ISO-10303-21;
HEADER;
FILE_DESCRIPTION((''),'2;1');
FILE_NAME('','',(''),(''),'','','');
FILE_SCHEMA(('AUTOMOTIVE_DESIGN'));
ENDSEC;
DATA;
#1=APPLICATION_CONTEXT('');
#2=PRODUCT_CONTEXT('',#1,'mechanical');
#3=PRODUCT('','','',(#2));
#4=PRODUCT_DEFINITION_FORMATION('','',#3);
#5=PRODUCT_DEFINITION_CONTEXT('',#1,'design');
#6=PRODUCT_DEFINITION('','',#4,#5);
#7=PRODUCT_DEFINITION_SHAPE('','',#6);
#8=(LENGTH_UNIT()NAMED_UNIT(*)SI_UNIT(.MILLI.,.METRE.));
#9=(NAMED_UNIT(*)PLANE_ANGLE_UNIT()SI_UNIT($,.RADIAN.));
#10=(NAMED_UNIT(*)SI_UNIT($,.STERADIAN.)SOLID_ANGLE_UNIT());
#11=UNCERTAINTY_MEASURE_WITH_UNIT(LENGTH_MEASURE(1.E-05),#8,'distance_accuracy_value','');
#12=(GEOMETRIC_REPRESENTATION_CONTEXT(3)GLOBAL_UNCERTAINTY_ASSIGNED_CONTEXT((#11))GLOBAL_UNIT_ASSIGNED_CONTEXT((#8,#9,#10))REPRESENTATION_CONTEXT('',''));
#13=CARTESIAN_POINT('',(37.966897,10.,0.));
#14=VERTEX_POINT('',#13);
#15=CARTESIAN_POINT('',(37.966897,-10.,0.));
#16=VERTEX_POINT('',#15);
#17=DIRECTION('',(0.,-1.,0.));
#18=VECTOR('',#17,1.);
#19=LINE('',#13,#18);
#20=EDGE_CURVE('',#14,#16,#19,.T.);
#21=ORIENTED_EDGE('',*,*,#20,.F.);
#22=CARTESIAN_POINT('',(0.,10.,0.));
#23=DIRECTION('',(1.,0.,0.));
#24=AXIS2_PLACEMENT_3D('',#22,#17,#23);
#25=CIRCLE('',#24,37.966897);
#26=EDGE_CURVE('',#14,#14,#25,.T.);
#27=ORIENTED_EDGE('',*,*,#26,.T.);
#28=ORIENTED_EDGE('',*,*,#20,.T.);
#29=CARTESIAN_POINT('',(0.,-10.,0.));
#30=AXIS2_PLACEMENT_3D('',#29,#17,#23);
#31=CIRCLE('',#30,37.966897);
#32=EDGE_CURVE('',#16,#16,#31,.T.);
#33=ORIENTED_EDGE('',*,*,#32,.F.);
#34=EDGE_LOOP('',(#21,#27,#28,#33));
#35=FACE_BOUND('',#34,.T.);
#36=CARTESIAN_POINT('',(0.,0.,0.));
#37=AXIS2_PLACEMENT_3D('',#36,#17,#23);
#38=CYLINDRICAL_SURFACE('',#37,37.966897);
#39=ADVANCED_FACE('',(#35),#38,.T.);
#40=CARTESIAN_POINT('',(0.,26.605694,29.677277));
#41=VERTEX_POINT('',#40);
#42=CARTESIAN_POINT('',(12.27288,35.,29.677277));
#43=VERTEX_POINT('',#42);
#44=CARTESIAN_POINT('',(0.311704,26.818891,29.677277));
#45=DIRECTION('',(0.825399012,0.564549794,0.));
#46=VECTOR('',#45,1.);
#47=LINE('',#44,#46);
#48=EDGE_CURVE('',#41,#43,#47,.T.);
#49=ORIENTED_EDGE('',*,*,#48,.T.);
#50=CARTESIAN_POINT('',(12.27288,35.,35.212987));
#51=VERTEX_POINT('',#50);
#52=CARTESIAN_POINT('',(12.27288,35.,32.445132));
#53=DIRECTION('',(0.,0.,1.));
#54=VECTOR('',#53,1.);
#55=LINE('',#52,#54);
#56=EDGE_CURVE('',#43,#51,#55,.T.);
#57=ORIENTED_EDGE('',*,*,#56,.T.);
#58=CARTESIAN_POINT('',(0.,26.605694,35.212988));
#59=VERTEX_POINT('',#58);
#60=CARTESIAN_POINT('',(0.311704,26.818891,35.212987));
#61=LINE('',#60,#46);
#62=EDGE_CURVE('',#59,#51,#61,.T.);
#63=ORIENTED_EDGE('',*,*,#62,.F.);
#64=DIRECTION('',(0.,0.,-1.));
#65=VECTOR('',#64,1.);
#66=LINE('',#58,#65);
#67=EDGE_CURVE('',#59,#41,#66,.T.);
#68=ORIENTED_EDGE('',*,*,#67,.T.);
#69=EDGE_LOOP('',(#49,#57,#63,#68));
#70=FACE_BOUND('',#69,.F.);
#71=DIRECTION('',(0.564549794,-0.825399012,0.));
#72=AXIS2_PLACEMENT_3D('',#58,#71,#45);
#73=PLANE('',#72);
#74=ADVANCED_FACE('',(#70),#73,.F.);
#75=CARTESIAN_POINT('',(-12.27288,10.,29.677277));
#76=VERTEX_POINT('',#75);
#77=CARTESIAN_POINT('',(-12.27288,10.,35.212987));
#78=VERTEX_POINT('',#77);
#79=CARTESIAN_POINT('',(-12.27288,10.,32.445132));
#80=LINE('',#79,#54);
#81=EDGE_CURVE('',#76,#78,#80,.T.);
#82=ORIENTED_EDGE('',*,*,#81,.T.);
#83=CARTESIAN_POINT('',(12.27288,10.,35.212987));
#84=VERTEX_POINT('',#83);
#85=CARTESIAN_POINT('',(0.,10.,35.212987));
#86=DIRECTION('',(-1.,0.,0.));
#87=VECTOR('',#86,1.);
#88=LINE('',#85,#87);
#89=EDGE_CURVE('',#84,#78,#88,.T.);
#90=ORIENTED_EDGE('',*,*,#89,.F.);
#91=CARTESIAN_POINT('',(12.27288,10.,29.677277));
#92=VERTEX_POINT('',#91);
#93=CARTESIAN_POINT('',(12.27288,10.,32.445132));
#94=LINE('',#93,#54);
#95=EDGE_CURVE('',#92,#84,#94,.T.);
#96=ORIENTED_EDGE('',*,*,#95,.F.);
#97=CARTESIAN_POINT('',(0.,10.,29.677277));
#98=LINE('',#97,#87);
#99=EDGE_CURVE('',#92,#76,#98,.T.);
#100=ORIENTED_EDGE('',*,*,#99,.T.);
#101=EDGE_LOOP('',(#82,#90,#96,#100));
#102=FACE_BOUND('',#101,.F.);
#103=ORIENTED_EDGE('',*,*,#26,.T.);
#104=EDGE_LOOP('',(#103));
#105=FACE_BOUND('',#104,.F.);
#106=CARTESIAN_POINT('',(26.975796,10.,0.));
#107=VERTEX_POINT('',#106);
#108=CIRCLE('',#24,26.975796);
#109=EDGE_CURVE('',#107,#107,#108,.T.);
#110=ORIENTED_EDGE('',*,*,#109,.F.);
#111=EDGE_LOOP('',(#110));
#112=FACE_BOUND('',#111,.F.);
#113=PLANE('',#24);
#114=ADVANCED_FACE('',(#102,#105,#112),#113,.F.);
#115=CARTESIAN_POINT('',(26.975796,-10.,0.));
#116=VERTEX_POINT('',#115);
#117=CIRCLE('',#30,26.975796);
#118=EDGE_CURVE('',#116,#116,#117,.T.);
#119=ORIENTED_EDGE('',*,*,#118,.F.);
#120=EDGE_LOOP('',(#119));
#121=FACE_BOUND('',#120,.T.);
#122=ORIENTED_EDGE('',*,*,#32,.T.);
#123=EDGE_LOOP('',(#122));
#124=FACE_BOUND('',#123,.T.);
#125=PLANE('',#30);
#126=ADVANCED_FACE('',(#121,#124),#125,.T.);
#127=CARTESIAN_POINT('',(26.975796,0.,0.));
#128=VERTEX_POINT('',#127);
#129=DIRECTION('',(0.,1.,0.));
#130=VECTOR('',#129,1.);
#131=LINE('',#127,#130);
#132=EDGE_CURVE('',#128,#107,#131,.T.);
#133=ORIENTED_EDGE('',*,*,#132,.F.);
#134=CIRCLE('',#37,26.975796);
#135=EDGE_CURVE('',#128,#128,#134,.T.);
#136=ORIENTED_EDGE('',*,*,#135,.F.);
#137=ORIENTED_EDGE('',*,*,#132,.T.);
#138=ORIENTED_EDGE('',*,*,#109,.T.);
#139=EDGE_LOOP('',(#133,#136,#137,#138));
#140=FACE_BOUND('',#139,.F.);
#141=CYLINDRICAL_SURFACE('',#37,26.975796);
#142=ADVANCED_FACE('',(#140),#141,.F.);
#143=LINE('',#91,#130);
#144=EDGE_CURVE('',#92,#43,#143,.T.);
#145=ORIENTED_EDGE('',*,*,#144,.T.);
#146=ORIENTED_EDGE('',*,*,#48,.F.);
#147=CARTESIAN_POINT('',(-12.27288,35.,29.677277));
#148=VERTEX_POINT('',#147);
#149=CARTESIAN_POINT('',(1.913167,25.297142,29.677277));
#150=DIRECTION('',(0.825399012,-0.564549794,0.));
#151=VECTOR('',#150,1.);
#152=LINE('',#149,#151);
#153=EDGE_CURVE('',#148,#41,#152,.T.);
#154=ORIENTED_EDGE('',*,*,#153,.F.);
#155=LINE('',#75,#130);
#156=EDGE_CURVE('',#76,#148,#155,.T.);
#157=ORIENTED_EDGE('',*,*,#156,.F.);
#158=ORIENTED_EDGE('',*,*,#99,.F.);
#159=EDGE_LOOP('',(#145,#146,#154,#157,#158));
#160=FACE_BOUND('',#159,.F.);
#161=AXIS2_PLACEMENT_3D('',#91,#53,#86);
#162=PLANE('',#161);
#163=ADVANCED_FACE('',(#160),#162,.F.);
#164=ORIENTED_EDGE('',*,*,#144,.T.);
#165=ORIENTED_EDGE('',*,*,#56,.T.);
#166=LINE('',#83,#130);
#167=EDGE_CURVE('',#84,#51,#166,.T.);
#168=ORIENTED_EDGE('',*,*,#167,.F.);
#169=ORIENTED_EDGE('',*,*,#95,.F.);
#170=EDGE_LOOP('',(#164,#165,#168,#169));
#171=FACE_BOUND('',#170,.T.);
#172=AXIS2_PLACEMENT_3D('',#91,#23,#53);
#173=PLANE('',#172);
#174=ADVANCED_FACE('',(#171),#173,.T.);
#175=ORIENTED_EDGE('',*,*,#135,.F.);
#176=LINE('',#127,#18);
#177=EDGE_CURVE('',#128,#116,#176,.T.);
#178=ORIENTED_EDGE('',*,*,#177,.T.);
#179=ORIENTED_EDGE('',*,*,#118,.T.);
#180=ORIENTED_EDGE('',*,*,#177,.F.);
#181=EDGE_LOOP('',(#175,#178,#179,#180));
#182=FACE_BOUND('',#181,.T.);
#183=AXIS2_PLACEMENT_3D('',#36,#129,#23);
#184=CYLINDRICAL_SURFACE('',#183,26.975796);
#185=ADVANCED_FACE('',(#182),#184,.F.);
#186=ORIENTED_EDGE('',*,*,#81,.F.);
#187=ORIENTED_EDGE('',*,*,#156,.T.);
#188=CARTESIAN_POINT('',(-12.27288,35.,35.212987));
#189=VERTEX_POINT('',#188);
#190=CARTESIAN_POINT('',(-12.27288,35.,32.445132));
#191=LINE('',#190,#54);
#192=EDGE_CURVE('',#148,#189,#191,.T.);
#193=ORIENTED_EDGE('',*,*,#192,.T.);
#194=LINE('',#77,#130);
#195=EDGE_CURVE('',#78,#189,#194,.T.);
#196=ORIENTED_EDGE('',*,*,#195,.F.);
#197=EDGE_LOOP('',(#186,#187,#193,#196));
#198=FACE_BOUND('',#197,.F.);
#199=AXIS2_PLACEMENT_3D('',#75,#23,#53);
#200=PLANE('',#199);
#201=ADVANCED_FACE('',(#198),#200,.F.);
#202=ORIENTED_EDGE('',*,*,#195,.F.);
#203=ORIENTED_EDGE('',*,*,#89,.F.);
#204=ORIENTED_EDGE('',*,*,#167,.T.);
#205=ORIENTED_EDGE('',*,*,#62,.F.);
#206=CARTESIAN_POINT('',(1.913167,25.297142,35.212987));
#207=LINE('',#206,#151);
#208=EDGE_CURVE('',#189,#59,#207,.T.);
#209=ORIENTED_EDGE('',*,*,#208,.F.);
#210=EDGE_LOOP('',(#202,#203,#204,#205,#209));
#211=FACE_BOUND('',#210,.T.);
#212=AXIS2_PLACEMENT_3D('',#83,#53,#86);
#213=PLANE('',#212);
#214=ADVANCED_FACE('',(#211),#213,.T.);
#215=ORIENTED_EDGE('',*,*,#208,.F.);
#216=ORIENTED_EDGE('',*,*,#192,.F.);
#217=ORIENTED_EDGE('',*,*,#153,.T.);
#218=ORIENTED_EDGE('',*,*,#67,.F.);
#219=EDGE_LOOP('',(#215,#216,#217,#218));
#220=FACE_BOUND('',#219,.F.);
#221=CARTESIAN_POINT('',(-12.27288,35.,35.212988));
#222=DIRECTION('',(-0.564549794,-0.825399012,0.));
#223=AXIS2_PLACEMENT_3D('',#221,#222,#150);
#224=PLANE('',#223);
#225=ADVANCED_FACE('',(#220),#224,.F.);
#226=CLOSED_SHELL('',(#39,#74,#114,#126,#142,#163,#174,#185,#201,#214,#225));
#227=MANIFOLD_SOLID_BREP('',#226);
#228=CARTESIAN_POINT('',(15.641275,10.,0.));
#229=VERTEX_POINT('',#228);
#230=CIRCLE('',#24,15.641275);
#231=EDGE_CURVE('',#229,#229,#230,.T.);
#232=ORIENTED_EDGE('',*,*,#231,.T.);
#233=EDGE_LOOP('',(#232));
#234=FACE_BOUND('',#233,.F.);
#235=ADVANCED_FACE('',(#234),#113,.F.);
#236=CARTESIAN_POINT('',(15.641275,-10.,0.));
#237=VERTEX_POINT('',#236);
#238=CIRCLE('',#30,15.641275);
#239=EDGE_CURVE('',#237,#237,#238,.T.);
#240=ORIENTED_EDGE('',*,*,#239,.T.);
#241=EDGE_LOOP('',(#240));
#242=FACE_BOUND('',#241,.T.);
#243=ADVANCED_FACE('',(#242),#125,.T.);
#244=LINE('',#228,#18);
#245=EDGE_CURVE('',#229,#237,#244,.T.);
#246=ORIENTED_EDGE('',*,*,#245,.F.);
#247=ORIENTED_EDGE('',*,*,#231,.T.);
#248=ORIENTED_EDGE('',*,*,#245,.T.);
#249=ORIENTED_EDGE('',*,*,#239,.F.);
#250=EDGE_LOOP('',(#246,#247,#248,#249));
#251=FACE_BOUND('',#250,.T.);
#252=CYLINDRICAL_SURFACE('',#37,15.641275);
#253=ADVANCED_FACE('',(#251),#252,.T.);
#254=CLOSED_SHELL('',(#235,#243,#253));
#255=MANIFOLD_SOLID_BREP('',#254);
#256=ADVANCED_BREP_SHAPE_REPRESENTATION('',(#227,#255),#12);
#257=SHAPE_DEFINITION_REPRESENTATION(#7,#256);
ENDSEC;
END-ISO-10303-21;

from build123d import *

# Parameters (mm, degrees)
F0_R          = 37.966897
F0_R_2        = 26.975796
F0_R_3        = 15.641275
F1_DEPTH      = 10
F1_DEPTH_BACK = 10
F2_W          = 24.54576
F2_H          = 5.535711
F3_DEPTH      = 25
F5_DEPTH      = 25


with BuildPart() as f1:
    # F0 (on Front) → F1 (new body, two sides)
    with BuildSketch(Plane.XZ) as f1_sk:
        Circle(F0_R)
        Circle(F0_R_2, mode=Mode.SUBTRACT)
        Circle(F0_R_3)
    extrude(amount=F1_DEPTH)
    extrude(f1_sk.sketch, amount=-F1_DEPTH_BACK)

    # F2 (on face) → F3 (join)
    with BuildSketch(Plane(origin=(0, 10, 0), x_dir=(-1, 0, 0), z_dir=(0, 1, 0))):
        with Locations((0, 32.445132)):
            Rectangle(F2_W, F2_H)
    extrude(amount=F3_DEPTH)

    # F4 (on face) → F5 (cut)
    with BuildSketch(Plane.XY.offset(35.212988)):
        Polygon((12.27288, 35), (-12.27288, 35), (0, 26.605694), align=None)
    extrude(amount=-F5_DEPTH, mode=Mode.SUBTRACT)


solid = f1.part
